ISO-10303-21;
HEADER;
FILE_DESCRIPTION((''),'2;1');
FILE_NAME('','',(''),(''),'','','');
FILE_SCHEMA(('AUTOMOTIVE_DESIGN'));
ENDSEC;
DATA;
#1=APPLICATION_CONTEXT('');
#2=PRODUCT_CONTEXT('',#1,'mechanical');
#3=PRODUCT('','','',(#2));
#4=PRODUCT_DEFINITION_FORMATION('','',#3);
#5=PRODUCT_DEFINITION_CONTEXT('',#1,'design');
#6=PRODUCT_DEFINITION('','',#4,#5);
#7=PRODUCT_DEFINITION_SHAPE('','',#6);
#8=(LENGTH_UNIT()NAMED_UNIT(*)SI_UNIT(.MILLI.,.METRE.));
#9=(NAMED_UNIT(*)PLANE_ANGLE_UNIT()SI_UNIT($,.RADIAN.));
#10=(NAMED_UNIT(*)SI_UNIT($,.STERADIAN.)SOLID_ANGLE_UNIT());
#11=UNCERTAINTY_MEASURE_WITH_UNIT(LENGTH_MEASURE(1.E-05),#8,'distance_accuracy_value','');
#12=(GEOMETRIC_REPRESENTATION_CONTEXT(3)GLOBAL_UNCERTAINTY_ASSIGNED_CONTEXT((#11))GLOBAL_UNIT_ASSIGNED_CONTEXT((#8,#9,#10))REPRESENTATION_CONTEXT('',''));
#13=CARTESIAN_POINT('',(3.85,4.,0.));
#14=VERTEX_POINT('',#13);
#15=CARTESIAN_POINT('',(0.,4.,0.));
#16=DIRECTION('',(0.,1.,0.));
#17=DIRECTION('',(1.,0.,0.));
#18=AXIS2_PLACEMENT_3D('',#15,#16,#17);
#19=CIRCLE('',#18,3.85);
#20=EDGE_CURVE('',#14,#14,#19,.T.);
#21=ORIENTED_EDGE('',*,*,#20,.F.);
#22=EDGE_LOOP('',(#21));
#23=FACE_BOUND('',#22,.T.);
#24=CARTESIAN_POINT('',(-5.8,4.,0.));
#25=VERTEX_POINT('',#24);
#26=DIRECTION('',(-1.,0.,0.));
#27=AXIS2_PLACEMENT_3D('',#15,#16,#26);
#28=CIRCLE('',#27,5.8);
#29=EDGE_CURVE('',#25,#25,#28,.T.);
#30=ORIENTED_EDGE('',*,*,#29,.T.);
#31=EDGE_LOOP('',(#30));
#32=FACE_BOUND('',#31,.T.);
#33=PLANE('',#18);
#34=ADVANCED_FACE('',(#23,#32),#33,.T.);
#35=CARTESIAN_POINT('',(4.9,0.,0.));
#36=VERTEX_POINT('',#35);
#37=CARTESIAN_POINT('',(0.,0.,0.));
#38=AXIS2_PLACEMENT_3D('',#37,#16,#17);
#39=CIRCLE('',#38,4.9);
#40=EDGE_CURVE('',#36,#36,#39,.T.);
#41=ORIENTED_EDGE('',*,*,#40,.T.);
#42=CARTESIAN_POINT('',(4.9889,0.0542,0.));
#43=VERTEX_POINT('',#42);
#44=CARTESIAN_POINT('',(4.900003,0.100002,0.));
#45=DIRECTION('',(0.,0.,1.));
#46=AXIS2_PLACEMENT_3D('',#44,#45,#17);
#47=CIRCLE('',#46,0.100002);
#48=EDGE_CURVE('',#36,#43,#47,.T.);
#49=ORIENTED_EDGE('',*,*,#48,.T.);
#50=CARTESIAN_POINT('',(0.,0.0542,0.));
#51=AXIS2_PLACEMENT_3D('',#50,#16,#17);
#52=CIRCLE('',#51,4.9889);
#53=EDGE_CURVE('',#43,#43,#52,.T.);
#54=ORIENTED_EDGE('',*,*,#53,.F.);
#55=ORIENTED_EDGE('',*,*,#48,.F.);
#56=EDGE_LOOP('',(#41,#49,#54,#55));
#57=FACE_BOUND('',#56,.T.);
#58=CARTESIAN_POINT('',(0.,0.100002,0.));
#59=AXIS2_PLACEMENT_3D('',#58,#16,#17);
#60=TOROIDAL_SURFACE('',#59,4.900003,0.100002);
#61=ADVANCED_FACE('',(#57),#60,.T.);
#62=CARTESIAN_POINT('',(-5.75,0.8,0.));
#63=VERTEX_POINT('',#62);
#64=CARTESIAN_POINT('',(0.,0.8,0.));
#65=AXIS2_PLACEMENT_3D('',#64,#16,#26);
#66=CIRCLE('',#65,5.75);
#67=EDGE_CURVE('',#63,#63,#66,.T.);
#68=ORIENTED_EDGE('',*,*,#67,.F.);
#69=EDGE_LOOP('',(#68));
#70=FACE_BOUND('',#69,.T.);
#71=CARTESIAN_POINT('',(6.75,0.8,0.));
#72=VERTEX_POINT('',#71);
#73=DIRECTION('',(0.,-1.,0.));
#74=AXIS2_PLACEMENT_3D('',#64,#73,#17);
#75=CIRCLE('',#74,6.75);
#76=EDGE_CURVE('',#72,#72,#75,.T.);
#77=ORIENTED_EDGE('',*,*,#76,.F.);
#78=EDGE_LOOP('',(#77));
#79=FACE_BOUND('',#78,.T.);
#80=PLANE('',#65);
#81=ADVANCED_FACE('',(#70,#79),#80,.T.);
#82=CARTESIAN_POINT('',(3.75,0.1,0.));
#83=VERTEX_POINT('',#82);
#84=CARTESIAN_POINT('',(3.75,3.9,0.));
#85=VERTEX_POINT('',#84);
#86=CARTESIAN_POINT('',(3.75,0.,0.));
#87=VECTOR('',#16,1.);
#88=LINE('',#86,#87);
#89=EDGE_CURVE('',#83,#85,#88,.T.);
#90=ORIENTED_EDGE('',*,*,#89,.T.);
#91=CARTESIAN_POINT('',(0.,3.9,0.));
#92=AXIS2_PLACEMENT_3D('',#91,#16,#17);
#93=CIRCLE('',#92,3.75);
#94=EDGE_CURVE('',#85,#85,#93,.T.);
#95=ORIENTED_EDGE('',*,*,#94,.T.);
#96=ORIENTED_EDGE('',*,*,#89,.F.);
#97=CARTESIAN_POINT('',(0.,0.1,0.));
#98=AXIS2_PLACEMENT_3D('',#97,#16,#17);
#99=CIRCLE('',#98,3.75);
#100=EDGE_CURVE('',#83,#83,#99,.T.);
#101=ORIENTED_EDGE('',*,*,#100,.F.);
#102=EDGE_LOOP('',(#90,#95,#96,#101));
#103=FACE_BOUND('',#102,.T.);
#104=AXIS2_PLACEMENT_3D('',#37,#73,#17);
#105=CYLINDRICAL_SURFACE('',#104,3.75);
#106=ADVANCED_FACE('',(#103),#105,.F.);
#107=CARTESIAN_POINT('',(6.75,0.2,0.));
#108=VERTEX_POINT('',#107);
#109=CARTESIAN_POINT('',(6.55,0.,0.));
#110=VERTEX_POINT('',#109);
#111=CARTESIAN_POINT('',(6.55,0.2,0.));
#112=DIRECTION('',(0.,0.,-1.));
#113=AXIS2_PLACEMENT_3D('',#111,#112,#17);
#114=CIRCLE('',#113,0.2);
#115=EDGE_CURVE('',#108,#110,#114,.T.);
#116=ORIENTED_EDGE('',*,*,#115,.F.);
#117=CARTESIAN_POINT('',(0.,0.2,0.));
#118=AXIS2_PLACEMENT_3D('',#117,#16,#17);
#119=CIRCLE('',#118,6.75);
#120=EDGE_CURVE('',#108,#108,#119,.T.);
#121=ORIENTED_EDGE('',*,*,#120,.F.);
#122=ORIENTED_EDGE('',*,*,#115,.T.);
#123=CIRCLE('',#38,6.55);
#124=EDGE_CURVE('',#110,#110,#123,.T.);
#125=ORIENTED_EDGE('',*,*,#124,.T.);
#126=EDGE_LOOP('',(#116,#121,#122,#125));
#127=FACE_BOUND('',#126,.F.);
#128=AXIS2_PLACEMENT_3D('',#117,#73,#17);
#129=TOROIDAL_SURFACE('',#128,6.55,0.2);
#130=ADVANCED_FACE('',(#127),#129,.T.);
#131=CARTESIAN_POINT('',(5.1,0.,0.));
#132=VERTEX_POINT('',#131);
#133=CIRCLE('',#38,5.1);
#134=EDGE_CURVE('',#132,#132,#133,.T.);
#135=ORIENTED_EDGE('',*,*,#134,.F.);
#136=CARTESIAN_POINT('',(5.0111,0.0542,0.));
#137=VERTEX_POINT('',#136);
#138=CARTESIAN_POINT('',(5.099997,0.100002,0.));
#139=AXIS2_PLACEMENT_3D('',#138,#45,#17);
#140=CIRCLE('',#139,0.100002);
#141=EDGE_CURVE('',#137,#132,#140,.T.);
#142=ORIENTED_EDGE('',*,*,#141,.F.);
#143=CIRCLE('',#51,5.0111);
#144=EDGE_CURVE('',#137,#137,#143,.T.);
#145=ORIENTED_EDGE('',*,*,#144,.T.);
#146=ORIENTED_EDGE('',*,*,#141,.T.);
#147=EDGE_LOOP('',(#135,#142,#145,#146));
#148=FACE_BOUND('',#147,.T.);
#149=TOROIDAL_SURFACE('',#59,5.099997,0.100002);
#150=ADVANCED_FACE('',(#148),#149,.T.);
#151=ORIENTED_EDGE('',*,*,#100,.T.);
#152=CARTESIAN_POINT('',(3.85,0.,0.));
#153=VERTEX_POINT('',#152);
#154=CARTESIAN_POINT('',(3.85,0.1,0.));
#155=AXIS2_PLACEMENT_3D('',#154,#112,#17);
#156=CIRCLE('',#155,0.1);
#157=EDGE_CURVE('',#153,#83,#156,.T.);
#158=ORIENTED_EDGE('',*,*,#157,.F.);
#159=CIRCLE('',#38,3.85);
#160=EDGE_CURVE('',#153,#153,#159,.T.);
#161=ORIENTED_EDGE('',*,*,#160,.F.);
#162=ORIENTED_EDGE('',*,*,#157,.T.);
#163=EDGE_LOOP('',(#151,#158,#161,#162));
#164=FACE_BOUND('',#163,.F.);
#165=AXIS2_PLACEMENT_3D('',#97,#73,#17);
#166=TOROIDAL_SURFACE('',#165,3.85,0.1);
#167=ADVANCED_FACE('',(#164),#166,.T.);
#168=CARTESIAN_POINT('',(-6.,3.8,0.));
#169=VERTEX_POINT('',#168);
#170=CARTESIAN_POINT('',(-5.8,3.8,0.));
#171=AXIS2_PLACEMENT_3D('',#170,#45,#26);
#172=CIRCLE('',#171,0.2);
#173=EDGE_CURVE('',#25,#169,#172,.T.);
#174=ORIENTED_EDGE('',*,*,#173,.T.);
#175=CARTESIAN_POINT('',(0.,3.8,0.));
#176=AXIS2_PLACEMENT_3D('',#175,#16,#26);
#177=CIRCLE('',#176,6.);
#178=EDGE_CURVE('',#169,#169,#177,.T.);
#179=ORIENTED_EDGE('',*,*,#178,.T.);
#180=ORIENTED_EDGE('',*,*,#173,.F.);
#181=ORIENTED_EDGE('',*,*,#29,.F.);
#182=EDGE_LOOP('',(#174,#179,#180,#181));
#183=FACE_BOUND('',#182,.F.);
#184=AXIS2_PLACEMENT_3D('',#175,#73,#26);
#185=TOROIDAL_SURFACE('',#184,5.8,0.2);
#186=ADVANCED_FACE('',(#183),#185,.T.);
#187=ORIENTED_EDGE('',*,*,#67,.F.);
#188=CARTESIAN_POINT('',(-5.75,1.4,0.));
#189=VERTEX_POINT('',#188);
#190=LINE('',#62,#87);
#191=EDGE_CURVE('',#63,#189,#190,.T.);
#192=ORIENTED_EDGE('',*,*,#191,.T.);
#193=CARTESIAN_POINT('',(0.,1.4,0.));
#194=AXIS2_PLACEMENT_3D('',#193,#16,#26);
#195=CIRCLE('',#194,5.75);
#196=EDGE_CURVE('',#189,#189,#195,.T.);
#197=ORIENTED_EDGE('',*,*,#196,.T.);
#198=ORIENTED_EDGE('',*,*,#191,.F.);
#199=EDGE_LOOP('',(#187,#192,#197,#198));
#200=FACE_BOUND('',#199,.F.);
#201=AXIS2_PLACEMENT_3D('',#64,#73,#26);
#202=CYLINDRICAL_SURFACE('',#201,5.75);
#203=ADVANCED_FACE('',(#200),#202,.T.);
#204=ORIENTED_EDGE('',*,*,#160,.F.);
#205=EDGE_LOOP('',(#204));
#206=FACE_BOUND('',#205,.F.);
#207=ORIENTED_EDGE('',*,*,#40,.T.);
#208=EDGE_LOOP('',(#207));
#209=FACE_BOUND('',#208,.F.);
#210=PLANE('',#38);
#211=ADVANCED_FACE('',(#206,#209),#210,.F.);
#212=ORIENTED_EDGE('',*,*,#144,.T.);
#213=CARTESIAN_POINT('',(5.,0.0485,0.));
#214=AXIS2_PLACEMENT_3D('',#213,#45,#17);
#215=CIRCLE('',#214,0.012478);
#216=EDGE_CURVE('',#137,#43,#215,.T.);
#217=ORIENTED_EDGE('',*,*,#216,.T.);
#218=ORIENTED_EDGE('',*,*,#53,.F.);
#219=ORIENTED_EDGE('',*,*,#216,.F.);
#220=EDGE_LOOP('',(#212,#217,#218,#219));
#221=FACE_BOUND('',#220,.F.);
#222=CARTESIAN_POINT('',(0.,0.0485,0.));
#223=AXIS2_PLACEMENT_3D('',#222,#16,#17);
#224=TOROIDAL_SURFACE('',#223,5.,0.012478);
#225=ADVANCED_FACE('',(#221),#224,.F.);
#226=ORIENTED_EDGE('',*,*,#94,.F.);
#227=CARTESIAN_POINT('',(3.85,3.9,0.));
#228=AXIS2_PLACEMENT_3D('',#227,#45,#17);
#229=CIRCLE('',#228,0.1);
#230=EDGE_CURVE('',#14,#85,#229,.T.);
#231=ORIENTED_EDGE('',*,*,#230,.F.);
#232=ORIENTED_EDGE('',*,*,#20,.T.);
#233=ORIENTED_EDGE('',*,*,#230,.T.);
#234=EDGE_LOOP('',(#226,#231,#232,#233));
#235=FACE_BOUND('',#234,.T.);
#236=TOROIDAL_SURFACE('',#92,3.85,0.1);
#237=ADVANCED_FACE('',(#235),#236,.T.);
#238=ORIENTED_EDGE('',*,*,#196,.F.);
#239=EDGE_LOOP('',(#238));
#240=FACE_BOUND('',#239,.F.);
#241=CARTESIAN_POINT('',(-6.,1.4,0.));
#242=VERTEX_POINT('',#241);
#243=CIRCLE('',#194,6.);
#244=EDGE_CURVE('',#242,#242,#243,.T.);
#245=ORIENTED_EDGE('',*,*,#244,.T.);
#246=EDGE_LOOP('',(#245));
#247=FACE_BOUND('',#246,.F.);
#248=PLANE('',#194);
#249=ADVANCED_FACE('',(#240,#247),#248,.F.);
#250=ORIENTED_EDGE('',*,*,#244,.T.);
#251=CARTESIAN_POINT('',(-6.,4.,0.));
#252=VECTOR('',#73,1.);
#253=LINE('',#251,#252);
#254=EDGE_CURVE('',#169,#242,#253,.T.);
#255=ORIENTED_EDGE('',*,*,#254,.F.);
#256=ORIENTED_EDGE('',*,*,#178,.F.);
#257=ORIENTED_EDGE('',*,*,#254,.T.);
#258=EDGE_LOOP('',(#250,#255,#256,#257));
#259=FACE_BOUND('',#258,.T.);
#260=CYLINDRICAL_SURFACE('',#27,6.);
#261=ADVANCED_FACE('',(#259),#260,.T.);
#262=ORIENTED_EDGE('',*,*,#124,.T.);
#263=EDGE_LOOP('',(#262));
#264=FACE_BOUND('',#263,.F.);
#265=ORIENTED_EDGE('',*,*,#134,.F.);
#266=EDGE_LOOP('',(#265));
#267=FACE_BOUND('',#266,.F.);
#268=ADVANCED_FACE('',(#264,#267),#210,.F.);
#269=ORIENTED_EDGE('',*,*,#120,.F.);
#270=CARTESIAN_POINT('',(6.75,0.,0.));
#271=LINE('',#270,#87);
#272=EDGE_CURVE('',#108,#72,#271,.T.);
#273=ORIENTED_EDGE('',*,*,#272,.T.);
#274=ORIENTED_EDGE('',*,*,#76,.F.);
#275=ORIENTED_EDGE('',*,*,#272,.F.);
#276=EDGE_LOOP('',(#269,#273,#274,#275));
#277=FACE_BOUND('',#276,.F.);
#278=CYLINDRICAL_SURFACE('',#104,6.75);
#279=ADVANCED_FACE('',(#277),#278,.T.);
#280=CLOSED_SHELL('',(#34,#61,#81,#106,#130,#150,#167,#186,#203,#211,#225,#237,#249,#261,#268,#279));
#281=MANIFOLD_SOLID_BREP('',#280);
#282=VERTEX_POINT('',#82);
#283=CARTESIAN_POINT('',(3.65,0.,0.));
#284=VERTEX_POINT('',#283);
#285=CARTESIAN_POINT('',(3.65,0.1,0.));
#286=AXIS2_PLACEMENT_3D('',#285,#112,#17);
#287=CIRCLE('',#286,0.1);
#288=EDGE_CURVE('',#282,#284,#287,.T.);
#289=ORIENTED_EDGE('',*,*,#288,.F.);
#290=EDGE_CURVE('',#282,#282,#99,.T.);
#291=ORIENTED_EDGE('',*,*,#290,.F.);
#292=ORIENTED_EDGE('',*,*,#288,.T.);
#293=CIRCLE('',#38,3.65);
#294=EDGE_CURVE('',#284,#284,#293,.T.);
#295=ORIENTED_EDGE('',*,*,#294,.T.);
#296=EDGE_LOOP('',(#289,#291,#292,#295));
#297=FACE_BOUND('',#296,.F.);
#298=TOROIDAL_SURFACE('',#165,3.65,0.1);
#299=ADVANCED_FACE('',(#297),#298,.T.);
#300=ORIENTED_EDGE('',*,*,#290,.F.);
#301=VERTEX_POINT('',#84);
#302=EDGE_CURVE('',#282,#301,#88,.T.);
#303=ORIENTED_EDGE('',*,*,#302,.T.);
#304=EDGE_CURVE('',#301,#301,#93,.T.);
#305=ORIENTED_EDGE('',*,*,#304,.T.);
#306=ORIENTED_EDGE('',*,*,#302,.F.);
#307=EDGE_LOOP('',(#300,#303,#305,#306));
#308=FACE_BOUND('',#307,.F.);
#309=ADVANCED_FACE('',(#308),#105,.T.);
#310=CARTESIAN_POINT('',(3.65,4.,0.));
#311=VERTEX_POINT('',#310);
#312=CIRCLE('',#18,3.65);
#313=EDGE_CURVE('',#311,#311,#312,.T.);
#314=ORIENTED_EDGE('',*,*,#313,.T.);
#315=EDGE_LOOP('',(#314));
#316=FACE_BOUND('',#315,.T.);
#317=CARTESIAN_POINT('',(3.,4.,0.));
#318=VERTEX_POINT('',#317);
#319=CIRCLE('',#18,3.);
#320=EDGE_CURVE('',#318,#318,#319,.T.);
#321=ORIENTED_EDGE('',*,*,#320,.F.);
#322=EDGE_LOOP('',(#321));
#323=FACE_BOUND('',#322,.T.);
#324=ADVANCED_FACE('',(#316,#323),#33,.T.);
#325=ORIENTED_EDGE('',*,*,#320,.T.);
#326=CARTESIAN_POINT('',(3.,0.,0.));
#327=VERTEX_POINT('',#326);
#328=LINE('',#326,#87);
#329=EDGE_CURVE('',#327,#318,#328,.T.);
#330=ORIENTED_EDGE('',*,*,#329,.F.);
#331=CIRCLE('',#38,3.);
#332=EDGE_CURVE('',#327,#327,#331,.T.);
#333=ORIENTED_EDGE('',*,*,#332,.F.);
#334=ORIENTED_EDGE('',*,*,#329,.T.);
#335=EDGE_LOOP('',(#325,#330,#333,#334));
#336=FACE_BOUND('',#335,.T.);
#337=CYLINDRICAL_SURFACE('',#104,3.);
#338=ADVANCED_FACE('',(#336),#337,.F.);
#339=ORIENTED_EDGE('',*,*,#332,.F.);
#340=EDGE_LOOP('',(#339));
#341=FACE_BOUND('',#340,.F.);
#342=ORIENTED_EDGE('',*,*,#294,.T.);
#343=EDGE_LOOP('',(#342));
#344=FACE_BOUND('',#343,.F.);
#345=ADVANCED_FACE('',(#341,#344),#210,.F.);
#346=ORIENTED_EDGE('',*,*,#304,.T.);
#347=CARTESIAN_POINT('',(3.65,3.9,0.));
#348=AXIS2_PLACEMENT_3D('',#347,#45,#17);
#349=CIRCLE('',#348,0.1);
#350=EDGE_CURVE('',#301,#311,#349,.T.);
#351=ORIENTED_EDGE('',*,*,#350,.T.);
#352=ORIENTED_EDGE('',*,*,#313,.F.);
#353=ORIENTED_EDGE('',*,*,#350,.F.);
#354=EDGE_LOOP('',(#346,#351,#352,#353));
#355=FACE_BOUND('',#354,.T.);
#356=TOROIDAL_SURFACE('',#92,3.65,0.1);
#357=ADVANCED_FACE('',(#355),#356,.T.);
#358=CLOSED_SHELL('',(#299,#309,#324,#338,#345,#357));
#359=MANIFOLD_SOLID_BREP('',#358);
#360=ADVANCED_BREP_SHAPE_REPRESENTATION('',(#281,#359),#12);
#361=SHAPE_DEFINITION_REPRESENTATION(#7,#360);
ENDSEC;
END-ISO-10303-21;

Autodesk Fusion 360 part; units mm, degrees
sketch "Sketch1" plane through (0, 0, 0) normal (0, 1, 0) x (1, 0, 0)
  circle A0 centre (0, 0) radius 3
  circle A1 centre (0, 0) radius 6.75
  circle A2 centre (0, 0) radius 3.75
  circle A3 centre (0, 0) radius 5
  dimension "d1" = 6
  dimension "d2" = 13.5
  dimension "d3" = 7.5
  dimension "d4" = 10
extrude "Extrude1" add sketch "Sketch1" along normal blind 4 contours A2 makes body 1
extrude "Extrude2" add sketch "Sketch1" along normal blind 4 separate body contours A1 | A3 makes body 2
sketch "Sketch2" plane through (0, 4, 0) normal (0, 1, 0) x (-1, 0, 0)
  circle A0 centre (0, 0) radius 3.75
  circle A1 centre (0, 0) radius 6.75
  circle A2 centre (0, 0) radius 6
  dimension "d9" = 12
extrude "Extrude3" cut sketch "Sketch2" against normal blind 3.2 contours A1 bodies 2
sketch "Sketch3" plane through (0, 0.8, 0) normal (0, 1, 0) x (-1, 0, 0)
  circle A0 centre (0, 0) radius 6
  circle A1 centre (0, 0) radius 6.75
  circle A2 centre (0, 0) radius 5.75
  dimension "d12" = 11.5
extrude "Extrude4" cut sketch "Sketch3" along normal blind 0.6 contours A0 bodies 2
fillet "Fillet1" radius 0.2 2 edges at (-6.2932, 0, 2.4409) (5.594, 4, -2.1697) on bodies 2
fillet "Fillet2" radius 0.1 1 edges at (-3.4962, 0, 1.3561) on bodies 1 2
fillet "Fillet2" radius 0.1 1 edges at (-3.4962, 4, -1.3561) on bodies 1 2
sketch "Sketch4" plane through (0, 0, 0) normal (1, 0, 0) x (0, 1, 0)
  line L0 (0, -5) -> (0, 5)
  line L1 (0, 5) -> (0.1, 5) construction
  line L2 (0.1, 5) -> (0.1, 5.1) construction
  line L3 (0.1, 5) -> (0.1, 4.9) construction
  line L4 (0, 5.1) -> (0, 4.9)
  arc A0 (0.0542, 4.9889) -> (0.0542, 5.0111) centre (0.0485, 5) ccw
  arc A1 (0.0542, 5.0111) -> (0.036, 5) centre (0.0485, 5) ccw construction
  arc A2 (0.036, 5) -> (0.0542, 4.9889) centre (0.0485, 5) ccw construction
  arc A3 (0.0542, 5.0111) -> (0, 5.1) centre (0.1, 5.1) ccw construction
  arc A4 (0, 5.1) -> (0.0542, 5.0111) centre (0.1, 5.1) ccw
  arc A5 (0, 4.9) -> (0.0542, 4.9889) centre (0.1, 4.9) ccw construction
  arc A6 (0.0542, 4.9889) -> (0, 4.9) centre (0.1, 4.9) ccw
  dimension "d25" = 0.025
  dimension "d32" = 0.1
  dimension "d33" = 0.1
sweep "Sweep1" cut profiles "Sketch4" path "Sketch1" along A3 section 1 bodies 2
fillet "Fillet3" radius 0.1 2 edges at (-3.4962, 4, 1.3561) (-3.4962, 0, -1.3561) on bodies 1 2
